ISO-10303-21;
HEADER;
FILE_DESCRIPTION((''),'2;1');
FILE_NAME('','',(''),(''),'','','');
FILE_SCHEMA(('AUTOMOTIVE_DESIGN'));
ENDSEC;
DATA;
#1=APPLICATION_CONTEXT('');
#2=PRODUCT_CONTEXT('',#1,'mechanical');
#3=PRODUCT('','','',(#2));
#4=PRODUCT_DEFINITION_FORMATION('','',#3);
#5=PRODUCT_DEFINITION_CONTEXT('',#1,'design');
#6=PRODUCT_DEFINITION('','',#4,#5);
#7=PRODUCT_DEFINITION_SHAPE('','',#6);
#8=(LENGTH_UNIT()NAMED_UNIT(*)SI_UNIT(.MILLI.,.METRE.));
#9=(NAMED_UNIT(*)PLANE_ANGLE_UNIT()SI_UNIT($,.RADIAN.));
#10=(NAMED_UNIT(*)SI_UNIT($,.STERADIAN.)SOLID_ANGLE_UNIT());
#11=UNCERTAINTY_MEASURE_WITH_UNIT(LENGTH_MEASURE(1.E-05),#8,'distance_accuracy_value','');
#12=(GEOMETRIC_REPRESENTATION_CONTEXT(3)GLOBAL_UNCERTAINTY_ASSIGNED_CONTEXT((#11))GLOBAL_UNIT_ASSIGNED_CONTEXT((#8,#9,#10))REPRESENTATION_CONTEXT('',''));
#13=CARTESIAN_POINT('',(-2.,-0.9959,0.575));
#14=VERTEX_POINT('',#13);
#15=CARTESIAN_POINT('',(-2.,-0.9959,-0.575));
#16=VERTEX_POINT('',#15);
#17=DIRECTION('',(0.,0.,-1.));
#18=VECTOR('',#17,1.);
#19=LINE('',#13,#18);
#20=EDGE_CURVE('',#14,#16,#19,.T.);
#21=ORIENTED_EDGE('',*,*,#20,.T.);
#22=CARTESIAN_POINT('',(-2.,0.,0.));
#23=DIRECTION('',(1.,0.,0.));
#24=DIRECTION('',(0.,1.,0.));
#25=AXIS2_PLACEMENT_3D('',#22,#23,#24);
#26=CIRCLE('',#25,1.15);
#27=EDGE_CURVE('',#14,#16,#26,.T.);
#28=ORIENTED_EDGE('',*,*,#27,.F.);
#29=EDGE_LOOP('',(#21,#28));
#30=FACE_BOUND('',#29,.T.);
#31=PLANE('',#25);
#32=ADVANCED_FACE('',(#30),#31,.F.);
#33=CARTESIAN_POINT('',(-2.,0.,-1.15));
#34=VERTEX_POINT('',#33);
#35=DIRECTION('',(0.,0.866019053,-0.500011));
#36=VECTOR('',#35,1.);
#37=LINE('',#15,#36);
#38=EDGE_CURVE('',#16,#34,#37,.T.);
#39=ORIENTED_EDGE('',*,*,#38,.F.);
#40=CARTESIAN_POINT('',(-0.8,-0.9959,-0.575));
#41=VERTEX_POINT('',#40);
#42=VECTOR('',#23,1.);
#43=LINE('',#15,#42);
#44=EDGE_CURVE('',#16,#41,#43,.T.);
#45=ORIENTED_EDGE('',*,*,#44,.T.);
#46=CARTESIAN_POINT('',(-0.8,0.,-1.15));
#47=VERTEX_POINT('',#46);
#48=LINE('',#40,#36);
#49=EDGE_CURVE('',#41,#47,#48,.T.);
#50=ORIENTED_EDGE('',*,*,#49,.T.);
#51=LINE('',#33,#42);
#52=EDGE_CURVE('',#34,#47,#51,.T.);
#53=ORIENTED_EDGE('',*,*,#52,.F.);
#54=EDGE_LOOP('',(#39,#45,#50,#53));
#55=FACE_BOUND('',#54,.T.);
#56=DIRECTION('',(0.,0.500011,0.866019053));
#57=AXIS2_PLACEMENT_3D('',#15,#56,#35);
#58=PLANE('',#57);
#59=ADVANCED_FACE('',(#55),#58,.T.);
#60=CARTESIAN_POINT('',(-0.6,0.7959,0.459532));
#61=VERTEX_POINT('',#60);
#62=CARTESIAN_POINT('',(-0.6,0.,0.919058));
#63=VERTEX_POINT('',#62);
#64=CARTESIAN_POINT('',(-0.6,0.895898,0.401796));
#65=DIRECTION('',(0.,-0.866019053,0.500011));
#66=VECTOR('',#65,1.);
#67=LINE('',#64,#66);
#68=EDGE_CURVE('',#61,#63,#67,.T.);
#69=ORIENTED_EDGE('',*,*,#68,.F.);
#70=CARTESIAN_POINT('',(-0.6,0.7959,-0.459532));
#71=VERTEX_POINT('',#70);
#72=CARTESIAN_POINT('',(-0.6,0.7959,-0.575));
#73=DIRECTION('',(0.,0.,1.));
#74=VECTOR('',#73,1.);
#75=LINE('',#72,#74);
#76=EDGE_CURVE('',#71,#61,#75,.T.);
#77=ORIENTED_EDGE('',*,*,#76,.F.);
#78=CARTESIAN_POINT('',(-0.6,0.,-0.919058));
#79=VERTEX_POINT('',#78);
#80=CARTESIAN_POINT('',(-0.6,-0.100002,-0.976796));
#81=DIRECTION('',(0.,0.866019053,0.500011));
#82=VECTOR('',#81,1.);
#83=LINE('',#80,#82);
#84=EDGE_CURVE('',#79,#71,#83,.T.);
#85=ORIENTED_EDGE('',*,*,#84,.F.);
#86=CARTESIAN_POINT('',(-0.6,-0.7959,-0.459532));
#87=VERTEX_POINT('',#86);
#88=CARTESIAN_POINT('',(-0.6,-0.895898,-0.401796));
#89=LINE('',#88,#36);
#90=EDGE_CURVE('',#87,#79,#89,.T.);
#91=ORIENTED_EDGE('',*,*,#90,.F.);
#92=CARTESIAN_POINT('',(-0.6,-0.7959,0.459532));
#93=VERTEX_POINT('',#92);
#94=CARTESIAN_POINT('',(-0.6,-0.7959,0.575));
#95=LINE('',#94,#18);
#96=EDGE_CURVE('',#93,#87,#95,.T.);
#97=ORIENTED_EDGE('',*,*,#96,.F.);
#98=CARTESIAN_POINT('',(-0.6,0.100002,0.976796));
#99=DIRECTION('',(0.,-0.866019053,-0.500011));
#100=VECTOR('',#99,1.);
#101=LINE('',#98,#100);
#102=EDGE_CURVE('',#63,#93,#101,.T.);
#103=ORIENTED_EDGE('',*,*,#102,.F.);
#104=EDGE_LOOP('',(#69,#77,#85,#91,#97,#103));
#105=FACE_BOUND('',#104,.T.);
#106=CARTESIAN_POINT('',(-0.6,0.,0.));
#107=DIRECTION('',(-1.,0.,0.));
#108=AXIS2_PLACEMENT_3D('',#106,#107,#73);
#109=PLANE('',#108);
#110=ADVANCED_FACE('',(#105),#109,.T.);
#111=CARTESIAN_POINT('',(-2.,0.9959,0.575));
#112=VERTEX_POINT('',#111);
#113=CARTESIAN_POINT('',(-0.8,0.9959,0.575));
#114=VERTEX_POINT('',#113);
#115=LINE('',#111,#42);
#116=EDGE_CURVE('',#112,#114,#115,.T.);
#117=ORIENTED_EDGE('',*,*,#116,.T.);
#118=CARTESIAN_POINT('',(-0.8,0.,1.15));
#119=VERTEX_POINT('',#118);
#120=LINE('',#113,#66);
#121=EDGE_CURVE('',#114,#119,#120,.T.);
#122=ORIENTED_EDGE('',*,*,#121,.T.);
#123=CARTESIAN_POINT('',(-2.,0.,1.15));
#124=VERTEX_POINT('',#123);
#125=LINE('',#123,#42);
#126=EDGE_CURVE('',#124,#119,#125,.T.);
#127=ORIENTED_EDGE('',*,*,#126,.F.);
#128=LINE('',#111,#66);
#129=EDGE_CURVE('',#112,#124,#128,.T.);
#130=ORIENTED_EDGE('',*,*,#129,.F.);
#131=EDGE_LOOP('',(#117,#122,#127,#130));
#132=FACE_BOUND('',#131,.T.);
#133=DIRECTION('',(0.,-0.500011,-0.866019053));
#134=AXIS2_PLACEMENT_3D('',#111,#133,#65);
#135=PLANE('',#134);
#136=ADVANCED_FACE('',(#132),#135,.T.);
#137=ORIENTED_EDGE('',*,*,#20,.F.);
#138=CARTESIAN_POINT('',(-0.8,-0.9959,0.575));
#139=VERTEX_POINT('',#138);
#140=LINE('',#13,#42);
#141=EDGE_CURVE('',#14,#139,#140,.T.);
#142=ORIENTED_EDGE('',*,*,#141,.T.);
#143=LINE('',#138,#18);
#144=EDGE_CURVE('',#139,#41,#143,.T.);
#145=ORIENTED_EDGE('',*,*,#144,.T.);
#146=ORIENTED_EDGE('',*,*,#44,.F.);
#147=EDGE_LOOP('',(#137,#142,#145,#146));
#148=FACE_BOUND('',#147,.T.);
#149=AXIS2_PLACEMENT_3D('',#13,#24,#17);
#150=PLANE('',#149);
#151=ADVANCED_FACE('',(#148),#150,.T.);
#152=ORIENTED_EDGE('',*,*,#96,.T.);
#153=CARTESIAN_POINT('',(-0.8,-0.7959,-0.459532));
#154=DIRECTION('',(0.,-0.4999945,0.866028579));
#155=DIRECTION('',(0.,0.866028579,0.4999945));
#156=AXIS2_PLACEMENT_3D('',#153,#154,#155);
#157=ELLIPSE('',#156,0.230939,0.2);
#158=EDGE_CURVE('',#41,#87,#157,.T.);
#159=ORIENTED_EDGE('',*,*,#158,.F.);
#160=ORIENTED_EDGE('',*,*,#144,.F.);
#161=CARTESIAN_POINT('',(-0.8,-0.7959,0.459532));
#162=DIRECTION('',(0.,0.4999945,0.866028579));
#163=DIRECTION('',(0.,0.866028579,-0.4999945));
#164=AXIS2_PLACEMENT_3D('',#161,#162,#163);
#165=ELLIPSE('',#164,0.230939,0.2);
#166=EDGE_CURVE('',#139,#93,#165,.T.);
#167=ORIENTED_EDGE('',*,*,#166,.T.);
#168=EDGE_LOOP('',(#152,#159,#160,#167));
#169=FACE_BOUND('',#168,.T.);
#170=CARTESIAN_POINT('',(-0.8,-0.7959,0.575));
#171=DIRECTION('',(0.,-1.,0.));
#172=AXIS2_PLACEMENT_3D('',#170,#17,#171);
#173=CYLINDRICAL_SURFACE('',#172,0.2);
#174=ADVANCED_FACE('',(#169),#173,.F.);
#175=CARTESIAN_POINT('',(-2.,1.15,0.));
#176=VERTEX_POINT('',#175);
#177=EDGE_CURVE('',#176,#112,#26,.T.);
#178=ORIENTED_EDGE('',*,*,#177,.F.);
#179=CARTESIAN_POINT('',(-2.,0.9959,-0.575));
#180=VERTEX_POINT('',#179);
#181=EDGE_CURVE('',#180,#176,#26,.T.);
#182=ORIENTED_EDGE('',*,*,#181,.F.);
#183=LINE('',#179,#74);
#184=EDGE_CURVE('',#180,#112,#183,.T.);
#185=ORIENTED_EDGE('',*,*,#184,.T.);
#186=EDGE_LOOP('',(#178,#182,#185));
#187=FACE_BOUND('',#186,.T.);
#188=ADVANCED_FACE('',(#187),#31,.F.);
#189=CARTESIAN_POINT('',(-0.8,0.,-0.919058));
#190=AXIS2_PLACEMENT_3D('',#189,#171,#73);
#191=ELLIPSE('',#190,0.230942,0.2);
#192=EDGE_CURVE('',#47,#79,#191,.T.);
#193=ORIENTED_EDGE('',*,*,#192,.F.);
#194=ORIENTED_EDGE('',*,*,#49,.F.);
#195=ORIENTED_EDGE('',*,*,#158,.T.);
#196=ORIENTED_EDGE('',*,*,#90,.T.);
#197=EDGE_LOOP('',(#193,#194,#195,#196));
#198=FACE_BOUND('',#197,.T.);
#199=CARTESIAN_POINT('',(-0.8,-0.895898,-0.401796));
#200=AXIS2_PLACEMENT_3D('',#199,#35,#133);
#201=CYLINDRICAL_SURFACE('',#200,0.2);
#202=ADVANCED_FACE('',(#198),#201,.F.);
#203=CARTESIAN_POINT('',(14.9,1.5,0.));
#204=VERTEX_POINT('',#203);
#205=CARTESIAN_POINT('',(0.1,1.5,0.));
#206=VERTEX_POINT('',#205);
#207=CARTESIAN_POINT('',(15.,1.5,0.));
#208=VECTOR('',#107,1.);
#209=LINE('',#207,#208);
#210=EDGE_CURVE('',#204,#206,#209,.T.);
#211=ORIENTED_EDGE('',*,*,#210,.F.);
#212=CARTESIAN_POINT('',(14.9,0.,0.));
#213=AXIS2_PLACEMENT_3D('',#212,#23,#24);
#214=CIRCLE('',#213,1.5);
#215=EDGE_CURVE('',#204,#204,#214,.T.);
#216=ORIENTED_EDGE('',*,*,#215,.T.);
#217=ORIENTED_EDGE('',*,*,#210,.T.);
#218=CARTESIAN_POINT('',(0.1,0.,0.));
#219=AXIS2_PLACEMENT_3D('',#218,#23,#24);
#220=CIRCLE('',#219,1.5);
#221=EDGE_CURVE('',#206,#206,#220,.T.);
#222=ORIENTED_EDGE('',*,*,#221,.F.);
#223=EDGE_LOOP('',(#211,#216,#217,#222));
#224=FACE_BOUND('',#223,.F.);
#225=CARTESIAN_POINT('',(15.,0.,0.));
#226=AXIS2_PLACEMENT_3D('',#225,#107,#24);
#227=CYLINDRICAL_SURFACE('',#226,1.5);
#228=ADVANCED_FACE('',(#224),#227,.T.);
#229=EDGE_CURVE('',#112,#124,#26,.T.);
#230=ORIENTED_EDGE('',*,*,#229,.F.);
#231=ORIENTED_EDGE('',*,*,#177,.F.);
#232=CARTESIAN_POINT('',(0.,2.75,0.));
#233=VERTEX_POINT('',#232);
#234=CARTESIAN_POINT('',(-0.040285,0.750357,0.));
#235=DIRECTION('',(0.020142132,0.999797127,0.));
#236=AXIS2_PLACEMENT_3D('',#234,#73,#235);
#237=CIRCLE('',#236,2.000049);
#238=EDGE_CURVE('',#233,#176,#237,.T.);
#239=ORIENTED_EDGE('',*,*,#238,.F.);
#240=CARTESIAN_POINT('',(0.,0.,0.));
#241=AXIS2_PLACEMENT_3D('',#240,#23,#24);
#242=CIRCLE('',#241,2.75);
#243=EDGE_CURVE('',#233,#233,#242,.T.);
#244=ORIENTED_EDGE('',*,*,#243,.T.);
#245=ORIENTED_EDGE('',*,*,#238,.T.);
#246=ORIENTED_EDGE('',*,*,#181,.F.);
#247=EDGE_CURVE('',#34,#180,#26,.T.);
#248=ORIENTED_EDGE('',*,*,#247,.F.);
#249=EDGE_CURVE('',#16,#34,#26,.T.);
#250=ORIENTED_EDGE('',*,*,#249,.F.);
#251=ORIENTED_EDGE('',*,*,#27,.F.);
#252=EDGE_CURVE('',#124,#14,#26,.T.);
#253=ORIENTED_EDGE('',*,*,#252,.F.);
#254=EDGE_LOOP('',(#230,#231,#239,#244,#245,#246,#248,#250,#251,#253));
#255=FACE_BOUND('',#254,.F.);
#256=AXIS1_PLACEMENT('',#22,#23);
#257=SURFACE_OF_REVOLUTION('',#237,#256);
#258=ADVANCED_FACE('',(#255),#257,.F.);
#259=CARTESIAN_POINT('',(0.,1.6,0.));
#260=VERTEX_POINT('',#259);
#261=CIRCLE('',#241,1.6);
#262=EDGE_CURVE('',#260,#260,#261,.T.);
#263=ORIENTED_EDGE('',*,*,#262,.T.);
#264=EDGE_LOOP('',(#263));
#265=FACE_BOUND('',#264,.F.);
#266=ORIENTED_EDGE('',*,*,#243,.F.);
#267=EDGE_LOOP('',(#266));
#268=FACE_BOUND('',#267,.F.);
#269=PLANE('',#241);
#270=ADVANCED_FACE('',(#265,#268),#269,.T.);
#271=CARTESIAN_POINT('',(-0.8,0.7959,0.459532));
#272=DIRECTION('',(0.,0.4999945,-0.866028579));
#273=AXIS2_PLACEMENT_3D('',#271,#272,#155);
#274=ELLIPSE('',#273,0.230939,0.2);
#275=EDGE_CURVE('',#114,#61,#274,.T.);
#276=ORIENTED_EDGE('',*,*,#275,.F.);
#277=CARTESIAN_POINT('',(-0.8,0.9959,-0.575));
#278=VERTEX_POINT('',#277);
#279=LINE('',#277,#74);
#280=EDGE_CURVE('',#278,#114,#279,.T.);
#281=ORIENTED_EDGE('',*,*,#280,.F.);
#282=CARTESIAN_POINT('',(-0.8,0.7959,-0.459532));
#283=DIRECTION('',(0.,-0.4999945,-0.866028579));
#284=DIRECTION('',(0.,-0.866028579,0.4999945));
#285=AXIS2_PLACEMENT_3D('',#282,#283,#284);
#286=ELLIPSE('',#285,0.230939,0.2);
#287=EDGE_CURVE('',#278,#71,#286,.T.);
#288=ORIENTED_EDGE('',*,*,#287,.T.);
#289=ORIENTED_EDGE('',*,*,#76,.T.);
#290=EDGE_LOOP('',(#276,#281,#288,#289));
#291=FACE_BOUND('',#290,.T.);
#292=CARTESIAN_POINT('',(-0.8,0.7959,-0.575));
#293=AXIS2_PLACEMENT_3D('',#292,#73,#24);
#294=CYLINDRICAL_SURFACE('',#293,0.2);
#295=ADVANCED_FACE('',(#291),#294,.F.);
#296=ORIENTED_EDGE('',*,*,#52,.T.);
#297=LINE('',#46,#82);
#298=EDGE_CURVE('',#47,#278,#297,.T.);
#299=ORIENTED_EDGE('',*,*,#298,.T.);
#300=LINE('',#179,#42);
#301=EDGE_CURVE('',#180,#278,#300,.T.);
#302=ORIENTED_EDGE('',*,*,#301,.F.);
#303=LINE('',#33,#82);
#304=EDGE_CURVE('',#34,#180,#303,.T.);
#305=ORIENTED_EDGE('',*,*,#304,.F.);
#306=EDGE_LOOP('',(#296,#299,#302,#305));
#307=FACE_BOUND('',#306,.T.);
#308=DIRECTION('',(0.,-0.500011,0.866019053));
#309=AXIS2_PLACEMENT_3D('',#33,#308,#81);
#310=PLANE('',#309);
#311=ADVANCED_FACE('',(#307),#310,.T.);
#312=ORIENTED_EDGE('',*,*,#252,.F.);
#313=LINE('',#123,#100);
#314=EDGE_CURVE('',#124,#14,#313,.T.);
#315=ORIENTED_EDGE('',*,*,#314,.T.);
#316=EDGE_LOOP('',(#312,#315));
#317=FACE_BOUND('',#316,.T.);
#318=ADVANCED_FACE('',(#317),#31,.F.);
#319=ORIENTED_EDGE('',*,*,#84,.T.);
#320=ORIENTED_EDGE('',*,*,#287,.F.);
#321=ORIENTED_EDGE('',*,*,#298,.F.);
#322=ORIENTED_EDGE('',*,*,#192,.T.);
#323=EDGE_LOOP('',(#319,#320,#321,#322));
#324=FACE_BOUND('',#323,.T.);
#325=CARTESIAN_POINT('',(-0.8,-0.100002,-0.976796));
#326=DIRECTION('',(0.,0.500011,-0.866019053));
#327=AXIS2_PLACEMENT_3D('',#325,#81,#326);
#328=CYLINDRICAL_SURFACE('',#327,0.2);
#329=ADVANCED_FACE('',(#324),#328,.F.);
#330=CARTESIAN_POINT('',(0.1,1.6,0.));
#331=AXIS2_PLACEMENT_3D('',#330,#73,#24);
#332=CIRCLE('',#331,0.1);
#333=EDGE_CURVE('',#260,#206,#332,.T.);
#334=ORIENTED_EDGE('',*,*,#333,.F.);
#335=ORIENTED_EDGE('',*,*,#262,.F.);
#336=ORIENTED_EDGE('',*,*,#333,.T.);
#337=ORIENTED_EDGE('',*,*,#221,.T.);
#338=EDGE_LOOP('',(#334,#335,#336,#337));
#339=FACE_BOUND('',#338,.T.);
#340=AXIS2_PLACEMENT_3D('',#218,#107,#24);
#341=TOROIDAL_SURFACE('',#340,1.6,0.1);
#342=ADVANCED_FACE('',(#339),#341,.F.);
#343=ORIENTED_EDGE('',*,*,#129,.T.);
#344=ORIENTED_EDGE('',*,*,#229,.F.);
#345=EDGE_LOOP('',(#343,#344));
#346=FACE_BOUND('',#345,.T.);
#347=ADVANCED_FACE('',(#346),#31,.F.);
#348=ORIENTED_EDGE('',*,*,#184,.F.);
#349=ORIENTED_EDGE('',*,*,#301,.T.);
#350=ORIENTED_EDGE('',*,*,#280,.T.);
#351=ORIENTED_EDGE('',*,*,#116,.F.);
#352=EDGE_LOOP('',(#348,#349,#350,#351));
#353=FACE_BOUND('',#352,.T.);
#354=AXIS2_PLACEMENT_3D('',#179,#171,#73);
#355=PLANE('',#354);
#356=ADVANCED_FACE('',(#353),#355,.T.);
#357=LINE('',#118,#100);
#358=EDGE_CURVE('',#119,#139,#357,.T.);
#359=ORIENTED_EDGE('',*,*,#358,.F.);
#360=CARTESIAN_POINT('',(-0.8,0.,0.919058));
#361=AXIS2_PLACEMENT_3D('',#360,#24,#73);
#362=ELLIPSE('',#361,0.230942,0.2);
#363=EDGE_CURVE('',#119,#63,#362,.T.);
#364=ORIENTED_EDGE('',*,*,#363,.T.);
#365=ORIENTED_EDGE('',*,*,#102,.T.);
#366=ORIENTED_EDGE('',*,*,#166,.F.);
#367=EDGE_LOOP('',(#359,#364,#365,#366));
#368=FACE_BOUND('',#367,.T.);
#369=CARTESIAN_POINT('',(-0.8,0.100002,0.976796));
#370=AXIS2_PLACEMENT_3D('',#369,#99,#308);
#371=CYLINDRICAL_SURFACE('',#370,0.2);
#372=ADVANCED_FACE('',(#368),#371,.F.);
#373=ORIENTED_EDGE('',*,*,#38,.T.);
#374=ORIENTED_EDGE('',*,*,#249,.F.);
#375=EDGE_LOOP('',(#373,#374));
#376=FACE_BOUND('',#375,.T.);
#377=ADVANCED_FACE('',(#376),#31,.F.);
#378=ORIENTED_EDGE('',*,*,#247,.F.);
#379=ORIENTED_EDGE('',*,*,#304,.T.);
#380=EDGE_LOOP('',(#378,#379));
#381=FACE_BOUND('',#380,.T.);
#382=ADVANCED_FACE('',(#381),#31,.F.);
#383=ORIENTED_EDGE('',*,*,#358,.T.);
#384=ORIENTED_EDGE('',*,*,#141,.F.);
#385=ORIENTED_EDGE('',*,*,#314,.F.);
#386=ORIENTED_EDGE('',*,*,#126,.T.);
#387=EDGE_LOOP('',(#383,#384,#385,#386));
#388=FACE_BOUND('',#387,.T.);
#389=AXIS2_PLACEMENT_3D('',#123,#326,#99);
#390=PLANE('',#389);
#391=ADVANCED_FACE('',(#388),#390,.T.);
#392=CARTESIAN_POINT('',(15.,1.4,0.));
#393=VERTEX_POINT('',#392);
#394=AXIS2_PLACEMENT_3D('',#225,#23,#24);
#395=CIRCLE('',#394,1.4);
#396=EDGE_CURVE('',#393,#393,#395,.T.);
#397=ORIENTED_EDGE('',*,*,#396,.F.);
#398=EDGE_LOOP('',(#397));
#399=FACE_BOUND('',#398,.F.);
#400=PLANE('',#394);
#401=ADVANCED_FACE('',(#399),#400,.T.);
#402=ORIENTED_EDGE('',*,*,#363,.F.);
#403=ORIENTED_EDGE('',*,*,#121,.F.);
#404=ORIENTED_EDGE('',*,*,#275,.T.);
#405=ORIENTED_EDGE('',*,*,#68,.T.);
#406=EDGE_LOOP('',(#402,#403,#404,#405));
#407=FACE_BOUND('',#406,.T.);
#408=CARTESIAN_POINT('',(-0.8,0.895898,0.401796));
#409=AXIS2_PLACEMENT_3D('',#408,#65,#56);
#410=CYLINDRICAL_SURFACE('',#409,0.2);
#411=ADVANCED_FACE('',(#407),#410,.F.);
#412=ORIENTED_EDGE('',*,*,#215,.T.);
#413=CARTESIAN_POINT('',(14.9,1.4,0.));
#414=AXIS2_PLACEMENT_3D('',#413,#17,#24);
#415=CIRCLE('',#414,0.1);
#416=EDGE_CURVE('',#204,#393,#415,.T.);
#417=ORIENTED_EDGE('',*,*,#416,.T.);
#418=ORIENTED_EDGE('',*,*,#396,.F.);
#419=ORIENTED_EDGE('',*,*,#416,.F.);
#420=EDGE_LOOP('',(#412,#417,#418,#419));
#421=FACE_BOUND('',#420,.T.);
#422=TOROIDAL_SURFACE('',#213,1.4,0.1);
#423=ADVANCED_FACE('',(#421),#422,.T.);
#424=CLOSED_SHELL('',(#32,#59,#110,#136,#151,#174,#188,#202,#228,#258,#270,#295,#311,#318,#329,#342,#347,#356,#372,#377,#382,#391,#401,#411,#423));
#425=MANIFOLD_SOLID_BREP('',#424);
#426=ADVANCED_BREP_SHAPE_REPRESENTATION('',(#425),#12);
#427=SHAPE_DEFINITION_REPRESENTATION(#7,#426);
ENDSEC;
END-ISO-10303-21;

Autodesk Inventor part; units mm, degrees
ref_plane "YZ Plane" through (0, 0, 0) normal (1, 0, 0) x (0, 1, 0)
ref_plane "XZ Plane" through (0, 0, 0) normal (0, 1, 0) x (-1, 0, 0)
ref_plane "XY Plane" through (0, 0, 0) normal (0, 0, 1) x (1, 0, 0)
sketch "スケッチ1" plane through (0, 0, 0) normal (0, 0, 1) x (1, 0, 0)
  line L0 (0, 0) -> (15, 0)
  line L1 (15, 0) -> (15, 1.5)
  line L2 (15, 1.5) -> (0, 1.5)
  line L3 (0, 1.5) -> (0, 0)
  line L4 (0, 0) -> (0, 2.75)
  line L5 (0, 0) -> (-2, 0)
  line L6 (-2, 0) -> (0, 0)
  line L7 (-2, 0) -> (-2, 1.15)
  arc A0 (0, 2.75) -> (-2, 1.15) centre (-0.0403, 0.7504) ccw
  dimension "d0" = 1.5
  dimension "d1" = 15
  dimension "d3" = 2
  dimension "d4" = 2.75
  dimension "d5" = 1.15
  dimension "d6" = 2
revolve "回転1" add sketch "スケッチ1" angle 360 about axis through (-2, 0, 0) along (1, 0, 0)
thread "ねじ1" size "M3x0.5" class "6g" standard "ANSI Metric M Profile" length 100
sketch "スケッチ2" plane through (-2, 0, 0) normal (-1, 0, 0) x (0, 0, 1)
  circle A0 centre (0, 0) radius 1.15 projected
  line L0 (-0.575, 0.9959) -> (0.575, 0.9959)
  line L1 (0.575, 0.9959) -> (1.15, 0)
  line L2 (1.15, 0) -> (0.575, -0.9959)
  line L3 (0.575, -0.9959) -> (-0.575, -0.9959)
  line L4 (-0.575, -0.9959) -> (-1.15, 0)
  line L5 (-1.15, 0) -> (-0.575, 0.9959)
  dimension "d10" = 1.15
  dimension "d11" = 1.9919
extrude "押し出し1" cut sketch "スケッチ2" against normal blind 1.4 contours L2 L3 L4 L5 L0 L1
fillet "フィレット1" radius 0.2 6 edges at (-0.6, 0.9959, 0) (-0.6, 0.498, 0.8625) (-0.6, 0.498, -0.8625) (-0.6, -0.498, -0.8625) (-0.6, -0.9959, 0) (-0.6, -0.498, 0.8625)
fillet "フィレット2" radius 0.1 1 edges at (0, -1.5, 0)
fillet "フィレット3" radius 0.1 1 edges at (15, -1.5, 0)
properties part number "ネジボタンM3L15" material "鋼"
